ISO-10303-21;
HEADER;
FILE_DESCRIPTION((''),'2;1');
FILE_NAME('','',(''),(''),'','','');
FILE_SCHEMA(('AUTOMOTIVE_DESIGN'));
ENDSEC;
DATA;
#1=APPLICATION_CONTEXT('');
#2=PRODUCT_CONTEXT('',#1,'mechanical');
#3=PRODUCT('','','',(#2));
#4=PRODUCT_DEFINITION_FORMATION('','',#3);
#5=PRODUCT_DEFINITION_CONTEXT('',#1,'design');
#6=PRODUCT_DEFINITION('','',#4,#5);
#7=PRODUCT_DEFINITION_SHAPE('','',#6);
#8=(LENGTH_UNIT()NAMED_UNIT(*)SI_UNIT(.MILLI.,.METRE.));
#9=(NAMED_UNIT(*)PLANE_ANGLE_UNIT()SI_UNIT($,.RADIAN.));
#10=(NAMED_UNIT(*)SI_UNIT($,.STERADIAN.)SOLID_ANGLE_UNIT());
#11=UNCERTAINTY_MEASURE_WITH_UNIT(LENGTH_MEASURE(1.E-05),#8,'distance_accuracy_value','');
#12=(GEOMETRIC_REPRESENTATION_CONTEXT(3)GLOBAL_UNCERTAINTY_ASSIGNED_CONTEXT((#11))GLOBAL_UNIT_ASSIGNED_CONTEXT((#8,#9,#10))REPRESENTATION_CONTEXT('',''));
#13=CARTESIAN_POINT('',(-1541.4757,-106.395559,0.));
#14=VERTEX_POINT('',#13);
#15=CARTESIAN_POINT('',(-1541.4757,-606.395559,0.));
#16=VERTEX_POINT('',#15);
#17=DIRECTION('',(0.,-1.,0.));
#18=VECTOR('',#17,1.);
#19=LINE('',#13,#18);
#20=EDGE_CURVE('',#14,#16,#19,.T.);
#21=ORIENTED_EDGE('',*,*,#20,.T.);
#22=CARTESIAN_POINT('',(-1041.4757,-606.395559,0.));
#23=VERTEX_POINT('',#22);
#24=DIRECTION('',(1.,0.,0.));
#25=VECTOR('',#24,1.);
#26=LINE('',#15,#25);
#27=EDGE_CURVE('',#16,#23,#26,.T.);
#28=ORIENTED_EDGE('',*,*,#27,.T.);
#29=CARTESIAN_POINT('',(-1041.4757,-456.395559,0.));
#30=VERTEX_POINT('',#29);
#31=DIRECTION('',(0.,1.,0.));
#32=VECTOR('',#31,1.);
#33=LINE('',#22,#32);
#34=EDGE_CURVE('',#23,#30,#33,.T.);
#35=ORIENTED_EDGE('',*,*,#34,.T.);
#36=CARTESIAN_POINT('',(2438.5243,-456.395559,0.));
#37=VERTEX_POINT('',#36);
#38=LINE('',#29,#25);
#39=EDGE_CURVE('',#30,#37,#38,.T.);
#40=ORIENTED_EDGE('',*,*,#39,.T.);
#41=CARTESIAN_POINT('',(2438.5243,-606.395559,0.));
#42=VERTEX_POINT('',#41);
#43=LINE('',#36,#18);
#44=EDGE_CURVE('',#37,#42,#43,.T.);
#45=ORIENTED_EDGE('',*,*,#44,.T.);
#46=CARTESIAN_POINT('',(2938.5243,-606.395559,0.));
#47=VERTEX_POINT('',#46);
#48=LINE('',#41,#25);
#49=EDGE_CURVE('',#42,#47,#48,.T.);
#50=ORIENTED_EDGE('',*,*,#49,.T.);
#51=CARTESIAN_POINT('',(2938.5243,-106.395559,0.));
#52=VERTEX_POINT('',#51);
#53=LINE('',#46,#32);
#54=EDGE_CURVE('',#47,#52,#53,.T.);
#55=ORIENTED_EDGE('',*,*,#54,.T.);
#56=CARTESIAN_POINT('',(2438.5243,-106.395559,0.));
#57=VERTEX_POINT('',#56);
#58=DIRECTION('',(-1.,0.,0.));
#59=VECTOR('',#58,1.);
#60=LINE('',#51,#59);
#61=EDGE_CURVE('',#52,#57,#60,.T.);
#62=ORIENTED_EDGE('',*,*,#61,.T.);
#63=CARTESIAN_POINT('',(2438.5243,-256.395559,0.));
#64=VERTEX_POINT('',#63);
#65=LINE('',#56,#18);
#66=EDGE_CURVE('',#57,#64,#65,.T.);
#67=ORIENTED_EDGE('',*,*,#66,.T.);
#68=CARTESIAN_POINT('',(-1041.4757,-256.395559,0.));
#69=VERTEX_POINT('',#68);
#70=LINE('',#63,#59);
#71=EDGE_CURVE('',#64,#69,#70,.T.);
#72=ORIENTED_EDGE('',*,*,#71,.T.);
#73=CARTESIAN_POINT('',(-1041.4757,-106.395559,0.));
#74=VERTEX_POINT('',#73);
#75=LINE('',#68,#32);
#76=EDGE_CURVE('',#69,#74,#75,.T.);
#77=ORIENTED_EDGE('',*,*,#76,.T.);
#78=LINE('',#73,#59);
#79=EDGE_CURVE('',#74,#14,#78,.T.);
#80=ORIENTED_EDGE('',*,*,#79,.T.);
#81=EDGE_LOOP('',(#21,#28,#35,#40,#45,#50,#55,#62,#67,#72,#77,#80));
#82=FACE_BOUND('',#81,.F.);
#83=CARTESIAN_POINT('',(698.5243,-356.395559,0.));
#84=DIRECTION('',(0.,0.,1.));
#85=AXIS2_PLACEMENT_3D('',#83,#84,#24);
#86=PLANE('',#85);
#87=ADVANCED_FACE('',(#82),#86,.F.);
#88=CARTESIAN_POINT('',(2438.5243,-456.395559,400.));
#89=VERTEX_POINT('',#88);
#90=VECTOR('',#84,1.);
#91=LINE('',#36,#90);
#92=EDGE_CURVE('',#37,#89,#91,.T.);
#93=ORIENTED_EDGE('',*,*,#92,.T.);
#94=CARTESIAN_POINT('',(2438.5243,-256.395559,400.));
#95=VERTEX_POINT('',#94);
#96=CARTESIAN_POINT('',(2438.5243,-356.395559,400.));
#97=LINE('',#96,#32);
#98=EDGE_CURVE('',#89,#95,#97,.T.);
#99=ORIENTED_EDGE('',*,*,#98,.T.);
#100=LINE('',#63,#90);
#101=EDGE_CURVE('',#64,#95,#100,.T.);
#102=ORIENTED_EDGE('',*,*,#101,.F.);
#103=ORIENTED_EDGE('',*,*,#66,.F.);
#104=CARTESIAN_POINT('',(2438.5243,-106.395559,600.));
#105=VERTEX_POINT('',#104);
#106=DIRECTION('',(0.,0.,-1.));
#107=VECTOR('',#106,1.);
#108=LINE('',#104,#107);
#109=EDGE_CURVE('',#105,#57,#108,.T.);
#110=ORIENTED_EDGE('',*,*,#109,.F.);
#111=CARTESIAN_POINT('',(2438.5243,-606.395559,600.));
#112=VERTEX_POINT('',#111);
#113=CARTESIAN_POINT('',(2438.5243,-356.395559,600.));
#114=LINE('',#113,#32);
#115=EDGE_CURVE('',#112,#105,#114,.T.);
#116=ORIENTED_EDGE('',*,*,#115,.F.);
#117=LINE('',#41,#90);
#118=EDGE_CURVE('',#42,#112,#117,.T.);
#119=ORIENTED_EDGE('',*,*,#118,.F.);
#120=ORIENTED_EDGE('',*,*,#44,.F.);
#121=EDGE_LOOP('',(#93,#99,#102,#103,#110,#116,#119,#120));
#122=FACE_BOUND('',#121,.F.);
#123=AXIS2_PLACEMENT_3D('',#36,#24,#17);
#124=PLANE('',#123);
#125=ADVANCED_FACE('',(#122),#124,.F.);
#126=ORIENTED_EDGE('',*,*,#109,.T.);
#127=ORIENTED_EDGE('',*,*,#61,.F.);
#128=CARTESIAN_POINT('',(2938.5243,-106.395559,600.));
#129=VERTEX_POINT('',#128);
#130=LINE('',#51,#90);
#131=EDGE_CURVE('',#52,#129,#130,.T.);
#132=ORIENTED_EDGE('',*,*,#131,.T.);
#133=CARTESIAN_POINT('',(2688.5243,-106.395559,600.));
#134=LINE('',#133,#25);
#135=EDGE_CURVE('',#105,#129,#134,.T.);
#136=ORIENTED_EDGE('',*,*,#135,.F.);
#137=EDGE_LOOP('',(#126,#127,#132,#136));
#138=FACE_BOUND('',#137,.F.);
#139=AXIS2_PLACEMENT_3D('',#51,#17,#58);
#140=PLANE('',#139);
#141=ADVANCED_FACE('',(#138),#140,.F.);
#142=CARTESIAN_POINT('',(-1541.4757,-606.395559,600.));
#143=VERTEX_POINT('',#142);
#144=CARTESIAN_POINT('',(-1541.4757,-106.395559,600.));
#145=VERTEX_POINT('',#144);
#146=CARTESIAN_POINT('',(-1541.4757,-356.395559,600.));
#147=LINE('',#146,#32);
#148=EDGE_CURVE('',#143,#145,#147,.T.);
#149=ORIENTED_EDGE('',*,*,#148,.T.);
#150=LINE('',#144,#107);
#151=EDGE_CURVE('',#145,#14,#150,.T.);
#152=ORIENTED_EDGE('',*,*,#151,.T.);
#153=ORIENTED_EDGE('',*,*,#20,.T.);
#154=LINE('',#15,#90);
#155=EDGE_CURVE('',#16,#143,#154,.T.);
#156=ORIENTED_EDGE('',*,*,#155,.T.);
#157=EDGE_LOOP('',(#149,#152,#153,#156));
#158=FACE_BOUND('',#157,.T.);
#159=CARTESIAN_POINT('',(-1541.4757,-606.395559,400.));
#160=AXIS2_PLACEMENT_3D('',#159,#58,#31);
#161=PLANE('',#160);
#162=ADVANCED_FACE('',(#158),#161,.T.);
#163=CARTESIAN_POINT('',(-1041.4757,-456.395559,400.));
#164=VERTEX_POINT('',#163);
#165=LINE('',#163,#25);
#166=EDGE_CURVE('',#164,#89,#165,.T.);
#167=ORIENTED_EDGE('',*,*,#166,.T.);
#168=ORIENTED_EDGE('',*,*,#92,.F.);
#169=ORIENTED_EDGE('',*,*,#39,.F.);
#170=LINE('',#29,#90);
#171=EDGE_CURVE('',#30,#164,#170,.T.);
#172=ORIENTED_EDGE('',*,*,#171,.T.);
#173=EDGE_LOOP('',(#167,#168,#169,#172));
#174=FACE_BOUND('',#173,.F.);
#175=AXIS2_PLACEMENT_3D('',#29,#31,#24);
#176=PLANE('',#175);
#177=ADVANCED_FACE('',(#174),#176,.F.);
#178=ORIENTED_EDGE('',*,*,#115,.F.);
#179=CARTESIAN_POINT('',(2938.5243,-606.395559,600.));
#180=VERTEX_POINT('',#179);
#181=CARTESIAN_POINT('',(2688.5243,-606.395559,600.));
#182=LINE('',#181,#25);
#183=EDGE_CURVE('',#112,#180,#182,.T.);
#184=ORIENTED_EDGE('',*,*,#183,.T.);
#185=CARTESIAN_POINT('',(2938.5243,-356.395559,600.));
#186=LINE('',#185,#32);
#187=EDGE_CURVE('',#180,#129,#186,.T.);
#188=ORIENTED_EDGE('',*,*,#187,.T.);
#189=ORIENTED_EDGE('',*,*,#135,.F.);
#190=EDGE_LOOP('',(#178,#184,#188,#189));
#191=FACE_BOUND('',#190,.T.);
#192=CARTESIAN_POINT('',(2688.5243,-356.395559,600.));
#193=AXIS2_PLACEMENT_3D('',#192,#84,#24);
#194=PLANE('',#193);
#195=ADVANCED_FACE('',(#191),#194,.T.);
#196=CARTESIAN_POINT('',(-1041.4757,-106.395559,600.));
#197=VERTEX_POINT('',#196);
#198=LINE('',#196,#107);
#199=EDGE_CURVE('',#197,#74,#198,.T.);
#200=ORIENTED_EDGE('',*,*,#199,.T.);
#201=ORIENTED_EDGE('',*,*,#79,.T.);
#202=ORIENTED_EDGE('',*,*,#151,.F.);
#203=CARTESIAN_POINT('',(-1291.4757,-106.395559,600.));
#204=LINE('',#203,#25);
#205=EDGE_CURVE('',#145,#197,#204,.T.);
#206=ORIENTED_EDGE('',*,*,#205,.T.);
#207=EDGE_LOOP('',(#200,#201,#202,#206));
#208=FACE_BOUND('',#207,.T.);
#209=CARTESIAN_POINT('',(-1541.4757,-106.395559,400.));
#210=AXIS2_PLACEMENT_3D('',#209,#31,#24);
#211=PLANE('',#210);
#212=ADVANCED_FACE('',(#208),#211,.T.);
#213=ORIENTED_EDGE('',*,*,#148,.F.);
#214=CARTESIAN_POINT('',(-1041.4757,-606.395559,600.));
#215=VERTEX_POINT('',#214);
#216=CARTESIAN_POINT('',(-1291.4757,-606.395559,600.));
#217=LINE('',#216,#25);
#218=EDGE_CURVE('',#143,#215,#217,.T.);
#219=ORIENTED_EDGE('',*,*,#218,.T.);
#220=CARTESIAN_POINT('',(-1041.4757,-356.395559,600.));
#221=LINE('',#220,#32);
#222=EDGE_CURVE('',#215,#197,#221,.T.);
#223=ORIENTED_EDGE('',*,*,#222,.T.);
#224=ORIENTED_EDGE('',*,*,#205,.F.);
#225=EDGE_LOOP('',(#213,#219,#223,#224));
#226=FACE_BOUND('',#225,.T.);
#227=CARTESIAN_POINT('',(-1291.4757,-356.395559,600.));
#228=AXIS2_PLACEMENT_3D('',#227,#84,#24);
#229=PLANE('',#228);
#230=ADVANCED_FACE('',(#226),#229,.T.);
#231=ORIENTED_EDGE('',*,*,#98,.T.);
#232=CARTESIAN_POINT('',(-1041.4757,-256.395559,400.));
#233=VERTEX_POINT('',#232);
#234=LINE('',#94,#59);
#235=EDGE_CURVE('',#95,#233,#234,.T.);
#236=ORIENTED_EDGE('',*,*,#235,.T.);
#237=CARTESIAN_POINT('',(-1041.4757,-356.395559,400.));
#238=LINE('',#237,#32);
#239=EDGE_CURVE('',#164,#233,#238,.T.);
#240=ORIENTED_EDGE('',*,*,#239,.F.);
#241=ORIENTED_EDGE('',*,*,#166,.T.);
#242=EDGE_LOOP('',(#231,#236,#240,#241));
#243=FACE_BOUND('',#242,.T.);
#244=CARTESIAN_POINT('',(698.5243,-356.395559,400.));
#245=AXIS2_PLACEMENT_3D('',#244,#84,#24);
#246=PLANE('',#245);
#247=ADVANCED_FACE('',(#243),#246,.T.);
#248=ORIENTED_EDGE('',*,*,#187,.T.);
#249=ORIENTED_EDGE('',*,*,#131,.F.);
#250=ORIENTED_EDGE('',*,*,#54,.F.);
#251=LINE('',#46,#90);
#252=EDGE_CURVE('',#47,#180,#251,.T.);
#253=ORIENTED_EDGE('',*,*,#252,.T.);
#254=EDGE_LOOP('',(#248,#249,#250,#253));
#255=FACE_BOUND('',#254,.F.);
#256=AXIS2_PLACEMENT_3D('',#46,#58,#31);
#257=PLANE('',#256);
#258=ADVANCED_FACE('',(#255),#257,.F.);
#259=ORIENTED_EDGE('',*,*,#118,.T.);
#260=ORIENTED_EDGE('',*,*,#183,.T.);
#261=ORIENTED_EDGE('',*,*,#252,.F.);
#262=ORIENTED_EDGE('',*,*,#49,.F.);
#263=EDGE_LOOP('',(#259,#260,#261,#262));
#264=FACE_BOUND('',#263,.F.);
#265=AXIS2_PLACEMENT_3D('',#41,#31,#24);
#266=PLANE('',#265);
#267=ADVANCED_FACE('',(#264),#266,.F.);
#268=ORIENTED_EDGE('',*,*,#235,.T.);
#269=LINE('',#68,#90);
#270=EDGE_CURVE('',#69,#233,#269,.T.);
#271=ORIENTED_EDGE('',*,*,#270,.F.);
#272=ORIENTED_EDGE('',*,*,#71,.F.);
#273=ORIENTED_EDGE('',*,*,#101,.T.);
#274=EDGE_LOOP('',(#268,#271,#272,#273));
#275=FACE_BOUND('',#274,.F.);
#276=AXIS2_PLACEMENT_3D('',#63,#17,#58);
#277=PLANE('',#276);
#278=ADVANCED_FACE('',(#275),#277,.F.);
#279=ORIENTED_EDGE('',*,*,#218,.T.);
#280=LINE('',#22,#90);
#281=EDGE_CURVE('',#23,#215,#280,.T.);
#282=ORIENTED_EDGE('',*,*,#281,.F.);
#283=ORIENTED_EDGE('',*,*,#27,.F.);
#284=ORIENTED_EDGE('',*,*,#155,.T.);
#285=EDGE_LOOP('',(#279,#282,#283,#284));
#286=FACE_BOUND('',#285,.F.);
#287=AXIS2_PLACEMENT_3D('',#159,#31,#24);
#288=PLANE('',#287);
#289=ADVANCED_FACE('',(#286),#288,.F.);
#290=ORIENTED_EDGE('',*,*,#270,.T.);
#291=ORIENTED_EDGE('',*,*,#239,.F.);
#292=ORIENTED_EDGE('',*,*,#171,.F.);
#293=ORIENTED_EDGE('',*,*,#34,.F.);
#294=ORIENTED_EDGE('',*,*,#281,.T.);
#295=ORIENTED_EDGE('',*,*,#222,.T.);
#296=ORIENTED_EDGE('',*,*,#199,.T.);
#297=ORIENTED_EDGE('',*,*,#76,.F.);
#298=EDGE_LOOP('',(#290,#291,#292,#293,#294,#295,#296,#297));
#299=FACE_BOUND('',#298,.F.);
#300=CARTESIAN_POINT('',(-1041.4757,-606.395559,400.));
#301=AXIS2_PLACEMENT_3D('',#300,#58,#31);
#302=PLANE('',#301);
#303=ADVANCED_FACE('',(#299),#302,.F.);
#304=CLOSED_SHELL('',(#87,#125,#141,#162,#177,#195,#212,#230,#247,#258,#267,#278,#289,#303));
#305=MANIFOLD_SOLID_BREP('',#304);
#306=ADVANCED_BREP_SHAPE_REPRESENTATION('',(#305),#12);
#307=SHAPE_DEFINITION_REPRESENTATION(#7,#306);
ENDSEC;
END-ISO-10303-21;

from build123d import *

# Parameters (mm, degrees)
F1_DEPTH = 400
F2_W     = 500
F2_H     = 500
F3_DEPTH = 200


with BuildPart() as f1:
    # F0 (on Top) → F1 (new body)
    with BuildSketch(Plane.XY):
        Polygon((-1041.4757, -106.395559), (-1541.4757, -106.395559), (-1541.4757, -606.395559), (-1041.4757, -606.395559), (-1041.4757, -456.395559), (2438.5243, -456.395559), (2438.5243, -606.395559), (2938.5243, -606.395559), (2938.5243, -106.395559), (2438.5243, -106.395559), (2438.5243, -256.395559), (-1041.4757, -256.395559), align=None)
    extrude(amount=F1_DEPTH)

    # F2 (on face) → F3 (join)
    with BuildSketch(Plane.XY.offset(400)):
        with Locations((-1291.4757, -356.395559)):
            Rectangle(F2_W, F2_H)
        with Locations((2688.5243, -356.395559)):
            Rectangle(F2_W, F2_H)
    extrude(amount=F3_DEPTH)


solid = f1.part
